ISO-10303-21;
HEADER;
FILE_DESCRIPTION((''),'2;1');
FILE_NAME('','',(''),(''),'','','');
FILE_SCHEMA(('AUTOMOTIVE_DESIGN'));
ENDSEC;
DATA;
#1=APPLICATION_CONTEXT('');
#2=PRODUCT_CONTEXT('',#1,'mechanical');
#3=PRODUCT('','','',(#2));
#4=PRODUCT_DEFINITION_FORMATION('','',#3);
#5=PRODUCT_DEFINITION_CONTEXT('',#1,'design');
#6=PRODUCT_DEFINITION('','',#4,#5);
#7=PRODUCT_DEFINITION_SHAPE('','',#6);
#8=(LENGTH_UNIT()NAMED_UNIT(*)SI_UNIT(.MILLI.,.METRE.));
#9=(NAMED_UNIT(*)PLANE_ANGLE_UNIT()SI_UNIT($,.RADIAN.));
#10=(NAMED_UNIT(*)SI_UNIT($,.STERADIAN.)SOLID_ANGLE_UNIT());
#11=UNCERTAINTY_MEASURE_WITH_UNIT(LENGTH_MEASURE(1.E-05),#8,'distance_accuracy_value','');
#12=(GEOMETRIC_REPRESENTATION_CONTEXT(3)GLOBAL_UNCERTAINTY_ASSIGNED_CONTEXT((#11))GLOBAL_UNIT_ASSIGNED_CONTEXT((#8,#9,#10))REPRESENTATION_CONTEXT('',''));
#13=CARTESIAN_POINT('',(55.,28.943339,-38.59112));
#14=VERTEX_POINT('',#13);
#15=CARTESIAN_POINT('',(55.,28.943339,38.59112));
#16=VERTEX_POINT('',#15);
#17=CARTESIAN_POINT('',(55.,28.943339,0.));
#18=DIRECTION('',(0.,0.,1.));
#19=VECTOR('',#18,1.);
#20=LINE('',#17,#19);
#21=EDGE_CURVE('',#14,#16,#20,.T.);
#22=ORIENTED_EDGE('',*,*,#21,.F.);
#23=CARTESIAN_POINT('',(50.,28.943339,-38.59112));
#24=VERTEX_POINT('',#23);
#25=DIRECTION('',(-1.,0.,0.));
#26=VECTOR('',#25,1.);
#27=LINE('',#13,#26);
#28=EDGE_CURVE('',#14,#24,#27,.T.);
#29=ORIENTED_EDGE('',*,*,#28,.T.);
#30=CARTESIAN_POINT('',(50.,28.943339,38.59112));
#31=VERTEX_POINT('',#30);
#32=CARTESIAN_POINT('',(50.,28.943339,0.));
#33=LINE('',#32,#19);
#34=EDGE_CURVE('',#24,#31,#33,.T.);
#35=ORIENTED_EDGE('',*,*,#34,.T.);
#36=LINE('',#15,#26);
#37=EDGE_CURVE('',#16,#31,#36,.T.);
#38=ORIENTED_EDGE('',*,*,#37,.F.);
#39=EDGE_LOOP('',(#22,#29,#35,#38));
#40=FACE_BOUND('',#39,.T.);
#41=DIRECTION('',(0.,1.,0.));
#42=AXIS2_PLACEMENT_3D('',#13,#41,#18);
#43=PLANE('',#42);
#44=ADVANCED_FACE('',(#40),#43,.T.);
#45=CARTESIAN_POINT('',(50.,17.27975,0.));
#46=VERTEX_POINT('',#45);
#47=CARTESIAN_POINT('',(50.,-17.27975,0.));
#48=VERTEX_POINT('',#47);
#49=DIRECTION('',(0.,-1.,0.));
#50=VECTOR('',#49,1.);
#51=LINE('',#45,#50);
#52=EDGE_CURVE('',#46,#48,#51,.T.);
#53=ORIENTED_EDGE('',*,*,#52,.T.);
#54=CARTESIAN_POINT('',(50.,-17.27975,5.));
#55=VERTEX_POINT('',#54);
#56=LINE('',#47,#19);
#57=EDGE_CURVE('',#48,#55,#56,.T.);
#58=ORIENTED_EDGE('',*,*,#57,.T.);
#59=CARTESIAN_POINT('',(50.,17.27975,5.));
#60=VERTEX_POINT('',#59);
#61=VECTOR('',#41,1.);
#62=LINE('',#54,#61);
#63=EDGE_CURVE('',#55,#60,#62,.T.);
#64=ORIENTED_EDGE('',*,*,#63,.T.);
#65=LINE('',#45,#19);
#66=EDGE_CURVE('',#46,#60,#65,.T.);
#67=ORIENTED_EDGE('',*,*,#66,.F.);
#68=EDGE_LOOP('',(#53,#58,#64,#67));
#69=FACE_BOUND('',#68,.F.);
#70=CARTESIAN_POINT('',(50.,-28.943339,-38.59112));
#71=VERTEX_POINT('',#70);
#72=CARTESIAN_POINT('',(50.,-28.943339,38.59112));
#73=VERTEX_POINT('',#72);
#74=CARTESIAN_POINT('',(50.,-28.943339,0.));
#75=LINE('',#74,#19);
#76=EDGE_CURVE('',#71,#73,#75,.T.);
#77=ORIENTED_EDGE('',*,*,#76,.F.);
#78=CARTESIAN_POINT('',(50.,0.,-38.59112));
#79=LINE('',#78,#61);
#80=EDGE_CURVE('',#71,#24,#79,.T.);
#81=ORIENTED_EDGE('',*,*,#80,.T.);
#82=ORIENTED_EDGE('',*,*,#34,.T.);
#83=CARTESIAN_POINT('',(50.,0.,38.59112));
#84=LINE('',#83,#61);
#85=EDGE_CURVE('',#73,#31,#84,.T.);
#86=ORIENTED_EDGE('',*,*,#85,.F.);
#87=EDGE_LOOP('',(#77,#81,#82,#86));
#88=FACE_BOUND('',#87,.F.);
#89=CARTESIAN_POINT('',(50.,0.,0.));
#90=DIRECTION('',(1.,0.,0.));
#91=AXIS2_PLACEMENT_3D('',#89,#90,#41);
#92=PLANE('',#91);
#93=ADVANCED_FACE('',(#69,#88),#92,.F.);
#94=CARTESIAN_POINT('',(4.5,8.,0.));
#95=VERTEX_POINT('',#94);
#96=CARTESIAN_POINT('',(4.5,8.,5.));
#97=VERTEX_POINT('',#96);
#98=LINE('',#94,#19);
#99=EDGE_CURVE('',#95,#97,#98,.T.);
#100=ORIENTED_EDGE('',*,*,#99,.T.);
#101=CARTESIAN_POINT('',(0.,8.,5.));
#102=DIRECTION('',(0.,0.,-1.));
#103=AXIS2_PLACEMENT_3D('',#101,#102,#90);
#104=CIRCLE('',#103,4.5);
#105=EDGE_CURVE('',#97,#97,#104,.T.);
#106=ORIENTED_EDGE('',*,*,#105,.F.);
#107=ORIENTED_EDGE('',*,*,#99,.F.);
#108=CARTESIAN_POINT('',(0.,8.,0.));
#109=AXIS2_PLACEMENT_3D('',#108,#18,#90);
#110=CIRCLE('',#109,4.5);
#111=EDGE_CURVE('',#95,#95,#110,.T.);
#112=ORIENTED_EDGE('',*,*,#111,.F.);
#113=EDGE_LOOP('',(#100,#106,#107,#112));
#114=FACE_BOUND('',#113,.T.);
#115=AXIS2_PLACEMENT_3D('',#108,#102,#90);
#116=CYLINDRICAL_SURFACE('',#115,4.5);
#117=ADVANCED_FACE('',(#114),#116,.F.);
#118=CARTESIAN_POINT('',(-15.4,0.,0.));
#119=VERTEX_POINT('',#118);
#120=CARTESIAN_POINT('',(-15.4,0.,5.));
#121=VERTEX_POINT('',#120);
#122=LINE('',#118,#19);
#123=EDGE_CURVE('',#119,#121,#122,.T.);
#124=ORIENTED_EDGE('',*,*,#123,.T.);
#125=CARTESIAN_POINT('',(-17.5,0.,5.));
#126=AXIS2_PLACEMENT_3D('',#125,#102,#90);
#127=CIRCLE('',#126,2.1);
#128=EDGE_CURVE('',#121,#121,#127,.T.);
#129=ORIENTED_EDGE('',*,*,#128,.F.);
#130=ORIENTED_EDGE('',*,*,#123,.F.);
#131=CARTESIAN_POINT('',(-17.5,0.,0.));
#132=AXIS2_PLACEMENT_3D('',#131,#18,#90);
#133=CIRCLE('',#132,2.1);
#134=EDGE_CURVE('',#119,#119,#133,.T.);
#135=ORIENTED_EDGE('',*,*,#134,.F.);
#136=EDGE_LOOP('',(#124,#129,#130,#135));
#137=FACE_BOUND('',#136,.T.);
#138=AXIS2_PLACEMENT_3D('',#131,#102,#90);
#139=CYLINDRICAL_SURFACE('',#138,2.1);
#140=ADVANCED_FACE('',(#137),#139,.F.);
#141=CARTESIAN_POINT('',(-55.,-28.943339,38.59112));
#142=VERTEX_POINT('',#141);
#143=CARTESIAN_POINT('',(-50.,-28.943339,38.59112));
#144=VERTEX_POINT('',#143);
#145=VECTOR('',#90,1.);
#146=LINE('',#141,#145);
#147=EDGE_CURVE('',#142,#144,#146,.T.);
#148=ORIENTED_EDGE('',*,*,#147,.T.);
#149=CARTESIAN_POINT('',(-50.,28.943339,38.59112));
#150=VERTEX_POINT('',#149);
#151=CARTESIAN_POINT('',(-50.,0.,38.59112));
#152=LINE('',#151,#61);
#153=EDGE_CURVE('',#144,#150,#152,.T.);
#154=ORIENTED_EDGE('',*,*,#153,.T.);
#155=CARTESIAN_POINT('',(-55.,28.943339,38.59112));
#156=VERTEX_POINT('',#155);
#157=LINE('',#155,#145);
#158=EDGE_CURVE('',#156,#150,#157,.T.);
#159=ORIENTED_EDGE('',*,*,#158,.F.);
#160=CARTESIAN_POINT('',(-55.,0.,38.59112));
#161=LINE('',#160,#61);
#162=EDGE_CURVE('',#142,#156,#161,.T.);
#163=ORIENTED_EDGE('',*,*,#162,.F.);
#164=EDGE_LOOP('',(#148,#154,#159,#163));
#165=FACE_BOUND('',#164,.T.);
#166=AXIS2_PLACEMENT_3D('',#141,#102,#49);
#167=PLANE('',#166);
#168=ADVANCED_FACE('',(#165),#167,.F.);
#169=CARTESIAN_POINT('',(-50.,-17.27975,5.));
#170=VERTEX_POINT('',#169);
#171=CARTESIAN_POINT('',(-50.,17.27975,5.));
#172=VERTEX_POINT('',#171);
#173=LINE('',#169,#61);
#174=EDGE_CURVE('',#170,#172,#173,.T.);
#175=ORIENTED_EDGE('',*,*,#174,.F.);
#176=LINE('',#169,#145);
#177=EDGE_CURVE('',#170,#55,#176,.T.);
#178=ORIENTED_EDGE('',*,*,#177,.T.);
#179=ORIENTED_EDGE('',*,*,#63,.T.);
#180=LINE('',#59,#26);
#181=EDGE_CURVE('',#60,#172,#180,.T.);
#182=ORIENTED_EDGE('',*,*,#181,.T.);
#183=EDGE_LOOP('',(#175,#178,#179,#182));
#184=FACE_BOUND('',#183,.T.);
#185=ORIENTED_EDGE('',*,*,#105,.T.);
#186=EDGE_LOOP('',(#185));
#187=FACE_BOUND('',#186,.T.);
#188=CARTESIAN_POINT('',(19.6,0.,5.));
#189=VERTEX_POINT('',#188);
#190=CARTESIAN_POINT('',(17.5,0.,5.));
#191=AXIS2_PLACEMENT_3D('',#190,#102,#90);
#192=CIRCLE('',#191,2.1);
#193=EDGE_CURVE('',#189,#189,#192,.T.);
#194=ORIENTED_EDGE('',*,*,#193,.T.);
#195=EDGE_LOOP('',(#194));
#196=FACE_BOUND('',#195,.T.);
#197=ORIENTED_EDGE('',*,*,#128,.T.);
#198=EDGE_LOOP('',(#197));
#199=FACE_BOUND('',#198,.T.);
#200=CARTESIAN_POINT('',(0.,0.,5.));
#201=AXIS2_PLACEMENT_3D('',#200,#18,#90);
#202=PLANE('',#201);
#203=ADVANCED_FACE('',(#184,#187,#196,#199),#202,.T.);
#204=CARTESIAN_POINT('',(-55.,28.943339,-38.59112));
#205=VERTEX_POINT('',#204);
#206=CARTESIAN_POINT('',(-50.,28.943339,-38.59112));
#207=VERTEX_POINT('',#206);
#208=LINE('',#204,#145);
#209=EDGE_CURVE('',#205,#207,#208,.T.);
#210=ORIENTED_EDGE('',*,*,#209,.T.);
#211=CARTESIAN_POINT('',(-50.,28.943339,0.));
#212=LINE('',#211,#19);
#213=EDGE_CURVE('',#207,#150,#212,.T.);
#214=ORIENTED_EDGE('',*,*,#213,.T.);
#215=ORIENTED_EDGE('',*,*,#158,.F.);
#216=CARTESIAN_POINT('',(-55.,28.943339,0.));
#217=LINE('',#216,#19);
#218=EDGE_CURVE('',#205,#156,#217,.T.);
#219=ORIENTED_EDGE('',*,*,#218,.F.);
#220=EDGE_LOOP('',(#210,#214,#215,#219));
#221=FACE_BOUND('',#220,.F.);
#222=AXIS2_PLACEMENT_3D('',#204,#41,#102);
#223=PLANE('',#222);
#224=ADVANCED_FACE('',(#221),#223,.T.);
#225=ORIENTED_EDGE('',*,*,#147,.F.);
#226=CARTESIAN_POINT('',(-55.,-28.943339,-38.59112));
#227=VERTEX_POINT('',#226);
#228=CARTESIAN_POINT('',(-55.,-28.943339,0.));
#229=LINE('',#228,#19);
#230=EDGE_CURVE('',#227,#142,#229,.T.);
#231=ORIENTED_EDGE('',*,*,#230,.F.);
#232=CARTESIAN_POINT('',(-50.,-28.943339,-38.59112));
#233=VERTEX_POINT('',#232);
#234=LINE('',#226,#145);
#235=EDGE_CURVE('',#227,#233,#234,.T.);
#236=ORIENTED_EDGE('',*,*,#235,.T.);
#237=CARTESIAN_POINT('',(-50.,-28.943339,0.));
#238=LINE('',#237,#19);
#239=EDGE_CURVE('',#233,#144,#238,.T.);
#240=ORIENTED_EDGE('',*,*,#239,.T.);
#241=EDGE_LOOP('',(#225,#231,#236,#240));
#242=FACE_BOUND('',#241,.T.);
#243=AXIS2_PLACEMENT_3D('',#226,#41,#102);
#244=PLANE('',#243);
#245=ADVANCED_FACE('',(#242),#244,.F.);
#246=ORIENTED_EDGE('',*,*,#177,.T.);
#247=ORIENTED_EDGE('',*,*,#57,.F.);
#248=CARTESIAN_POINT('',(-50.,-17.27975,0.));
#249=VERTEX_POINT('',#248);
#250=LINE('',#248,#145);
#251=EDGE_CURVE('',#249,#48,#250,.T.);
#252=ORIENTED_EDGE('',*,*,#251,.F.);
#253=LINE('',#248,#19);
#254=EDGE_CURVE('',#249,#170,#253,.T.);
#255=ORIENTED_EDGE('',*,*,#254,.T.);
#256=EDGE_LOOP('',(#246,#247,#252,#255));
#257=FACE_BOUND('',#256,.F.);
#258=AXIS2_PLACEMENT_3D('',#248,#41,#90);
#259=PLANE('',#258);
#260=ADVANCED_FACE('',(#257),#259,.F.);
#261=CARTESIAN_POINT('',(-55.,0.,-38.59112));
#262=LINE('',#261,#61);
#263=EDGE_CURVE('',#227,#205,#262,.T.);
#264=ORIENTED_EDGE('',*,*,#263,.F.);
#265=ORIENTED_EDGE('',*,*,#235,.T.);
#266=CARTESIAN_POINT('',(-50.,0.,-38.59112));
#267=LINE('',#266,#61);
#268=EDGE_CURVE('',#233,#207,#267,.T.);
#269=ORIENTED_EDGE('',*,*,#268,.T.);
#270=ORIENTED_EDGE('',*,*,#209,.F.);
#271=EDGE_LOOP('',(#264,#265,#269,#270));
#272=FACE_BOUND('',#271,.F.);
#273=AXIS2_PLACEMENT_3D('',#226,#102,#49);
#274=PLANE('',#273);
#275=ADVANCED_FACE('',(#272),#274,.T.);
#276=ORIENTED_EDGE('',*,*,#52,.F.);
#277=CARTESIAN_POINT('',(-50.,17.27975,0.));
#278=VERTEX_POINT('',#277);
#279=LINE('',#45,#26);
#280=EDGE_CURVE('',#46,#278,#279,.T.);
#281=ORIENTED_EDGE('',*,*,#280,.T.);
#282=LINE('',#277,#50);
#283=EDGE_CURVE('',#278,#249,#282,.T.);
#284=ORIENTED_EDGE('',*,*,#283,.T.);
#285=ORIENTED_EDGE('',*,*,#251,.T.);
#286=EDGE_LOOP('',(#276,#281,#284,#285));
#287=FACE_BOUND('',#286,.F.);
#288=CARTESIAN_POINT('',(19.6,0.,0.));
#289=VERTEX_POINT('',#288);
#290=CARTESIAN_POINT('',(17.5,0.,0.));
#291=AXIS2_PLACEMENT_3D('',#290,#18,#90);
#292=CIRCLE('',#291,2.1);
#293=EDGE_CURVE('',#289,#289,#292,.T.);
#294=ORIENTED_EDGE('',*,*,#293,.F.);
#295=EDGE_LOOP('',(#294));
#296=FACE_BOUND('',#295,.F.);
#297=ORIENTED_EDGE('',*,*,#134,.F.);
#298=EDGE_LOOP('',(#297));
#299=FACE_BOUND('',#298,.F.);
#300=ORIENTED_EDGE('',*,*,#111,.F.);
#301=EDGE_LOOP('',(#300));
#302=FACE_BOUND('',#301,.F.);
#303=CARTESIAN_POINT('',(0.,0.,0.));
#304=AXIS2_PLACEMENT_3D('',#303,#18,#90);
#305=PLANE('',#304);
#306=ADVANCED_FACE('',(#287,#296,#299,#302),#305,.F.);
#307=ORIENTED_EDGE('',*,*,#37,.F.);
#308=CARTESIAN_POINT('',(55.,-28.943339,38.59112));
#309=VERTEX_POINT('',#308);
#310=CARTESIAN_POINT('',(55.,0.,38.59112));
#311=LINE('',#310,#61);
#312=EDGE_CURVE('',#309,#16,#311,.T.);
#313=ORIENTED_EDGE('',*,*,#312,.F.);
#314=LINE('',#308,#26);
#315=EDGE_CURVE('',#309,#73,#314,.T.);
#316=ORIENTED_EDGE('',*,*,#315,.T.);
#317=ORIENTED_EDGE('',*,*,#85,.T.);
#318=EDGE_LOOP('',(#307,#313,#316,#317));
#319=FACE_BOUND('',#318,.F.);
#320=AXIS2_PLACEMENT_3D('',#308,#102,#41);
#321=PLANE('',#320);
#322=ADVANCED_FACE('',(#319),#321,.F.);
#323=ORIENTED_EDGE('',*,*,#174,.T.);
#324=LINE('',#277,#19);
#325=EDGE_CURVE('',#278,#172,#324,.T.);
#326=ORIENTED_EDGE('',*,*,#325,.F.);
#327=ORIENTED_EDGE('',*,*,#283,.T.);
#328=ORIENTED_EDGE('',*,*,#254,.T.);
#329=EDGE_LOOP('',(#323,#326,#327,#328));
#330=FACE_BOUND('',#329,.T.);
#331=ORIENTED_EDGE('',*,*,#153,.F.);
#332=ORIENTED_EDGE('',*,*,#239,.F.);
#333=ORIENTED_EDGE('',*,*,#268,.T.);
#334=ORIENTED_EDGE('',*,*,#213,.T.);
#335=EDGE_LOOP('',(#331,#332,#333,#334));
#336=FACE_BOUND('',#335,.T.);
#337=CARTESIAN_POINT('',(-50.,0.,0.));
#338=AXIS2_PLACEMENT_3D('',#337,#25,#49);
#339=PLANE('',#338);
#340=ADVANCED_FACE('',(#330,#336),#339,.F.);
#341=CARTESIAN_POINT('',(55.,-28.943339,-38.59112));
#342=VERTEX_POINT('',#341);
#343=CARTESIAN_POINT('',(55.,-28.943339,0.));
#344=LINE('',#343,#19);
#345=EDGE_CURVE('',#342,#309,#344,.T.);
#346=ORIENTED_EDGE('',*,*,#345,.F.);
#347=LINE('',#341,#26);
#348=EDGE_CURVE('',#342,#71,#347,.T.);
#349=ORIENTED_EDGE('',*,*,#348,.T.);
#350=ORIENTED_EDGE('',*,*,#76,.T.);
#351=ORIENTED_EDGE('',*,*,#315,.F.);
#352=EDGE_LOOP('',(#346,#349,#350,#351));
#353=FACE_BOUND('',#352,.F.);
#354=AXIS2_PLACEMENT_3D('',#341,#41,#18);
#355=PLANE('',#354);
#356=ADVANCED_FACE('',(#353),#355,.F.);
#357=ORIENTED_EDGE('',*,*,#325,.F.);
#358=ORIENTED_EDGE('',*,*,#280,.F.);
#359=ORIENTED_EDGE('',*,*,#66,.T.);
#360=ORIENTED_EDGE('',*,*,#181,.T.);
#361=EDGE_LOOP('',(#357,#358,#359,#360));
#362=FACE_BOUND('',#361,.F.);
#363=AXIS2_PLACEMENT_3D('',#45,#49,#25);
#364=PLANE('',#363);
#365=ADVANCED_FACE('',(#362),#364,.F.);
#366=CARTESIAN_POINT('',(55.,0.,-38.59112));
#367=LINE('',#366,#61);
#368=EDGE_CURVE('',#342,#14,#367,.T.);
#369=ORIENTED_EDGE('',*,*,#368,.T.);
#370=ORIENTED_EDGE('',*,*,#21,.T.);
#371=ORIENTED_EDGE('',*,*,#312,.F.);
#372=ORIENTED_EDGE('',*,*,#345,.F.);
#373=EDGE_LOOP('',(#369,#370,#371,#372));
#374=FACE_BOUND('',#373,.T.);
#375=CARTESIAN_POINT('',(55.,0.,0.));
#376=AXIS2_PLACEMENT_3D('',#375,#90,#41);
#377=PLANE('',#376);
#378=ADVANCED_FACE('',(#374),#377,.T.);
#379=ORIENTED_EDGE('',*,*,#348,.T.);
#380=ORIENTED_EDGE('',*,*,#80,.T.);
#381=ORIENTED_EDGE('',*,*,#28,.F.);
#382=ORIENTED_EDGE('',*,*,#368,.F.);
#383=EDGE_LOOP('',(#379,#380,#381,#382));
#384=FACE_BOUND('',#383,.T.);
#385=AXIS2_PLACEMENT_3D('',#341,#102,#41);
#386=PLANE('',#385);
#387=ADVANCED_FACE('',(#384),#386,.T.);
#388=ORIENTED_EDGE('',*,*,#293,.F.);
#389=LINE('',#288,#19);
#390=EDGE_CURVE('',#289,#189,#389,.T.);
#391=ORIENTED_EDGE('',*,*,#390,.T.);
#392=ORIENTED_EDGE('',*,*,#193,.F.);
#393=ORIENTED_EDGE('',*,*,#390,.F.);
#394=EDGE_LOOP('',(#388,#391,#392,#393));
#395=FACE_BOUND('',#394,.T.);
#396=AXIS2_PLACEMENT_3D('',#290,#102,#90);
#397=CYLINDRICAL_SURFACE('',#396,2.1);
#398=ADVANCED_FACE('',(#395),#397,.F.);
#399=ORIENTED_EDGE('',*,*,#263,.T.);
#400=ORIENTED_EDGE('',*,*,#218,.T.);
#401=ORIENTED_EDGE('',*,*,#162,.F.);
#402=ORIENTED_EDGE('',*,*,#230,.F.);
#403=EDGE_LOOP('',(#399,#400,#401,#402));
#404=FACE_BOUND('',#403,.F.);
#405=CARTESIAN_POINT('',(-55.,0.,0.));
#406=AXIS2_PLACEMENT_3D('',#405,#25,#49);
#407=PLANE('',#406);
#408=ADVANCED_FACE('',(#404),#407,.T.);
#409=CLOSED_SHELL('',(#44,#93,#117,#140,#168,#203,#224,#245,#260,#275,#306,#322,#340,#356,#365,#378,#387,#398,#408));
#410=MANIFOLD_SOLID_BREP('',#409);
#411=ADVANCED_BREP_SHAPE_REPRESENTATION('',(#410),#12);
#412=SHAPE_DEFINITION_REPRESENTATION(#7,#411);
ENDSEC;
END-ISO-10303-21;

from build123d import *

# Parameters (mm, degrees)
F0_R     = 2.1
F0_R_2   = 4.5
F1_DEPTH = 5
F3_W     = 57.8866787255
F3_H     = 77.1822407842
F4_DEPTH = 5


with BuildPart() as f1:
    # F0 (on Top) → F1 (new body)
    with BuildSketch(Plane.XY):
        Polygon((50, 12.2797499597), (50, 17.2797499597), (-50, 17.2797499597), (-50, 12.2797499597), (-55, 12.2797499597), (-55, -12.2797499597), (-50, -12.2797499597), (-50, -17.2797499597), (50, -17.2797499597), (50, -12.2797499597), (55, -12.2797499597), (55, 12.2797499597), align=None)
        with Locations((-17.5, 0)):
            Circle(F0_R, mode=Mode.SUBTRACT)
        with Locations((17.5, 0)):
            Circle(F0_R, mode=Mode.SUBTRACT)
        with Locations((0, 8)):
            Circle(F0_R_2, mode=Mode.SUBTRACT)
    extrude(amount=F1_DEPTH)

    # F3 (on offset) → F4 (join)
    with BuildSketch(Plane.YZ.offset(55)):
        Rectangle(F3_W, F3_H)
    extrude(amount=-F4_DEPTH)

    # F5: F1 across plane


with BuildPart() as f1_1:
    add(f1.part)
    add(f1.part.mirror(Plane.YZ))


solid = f1_1.part
